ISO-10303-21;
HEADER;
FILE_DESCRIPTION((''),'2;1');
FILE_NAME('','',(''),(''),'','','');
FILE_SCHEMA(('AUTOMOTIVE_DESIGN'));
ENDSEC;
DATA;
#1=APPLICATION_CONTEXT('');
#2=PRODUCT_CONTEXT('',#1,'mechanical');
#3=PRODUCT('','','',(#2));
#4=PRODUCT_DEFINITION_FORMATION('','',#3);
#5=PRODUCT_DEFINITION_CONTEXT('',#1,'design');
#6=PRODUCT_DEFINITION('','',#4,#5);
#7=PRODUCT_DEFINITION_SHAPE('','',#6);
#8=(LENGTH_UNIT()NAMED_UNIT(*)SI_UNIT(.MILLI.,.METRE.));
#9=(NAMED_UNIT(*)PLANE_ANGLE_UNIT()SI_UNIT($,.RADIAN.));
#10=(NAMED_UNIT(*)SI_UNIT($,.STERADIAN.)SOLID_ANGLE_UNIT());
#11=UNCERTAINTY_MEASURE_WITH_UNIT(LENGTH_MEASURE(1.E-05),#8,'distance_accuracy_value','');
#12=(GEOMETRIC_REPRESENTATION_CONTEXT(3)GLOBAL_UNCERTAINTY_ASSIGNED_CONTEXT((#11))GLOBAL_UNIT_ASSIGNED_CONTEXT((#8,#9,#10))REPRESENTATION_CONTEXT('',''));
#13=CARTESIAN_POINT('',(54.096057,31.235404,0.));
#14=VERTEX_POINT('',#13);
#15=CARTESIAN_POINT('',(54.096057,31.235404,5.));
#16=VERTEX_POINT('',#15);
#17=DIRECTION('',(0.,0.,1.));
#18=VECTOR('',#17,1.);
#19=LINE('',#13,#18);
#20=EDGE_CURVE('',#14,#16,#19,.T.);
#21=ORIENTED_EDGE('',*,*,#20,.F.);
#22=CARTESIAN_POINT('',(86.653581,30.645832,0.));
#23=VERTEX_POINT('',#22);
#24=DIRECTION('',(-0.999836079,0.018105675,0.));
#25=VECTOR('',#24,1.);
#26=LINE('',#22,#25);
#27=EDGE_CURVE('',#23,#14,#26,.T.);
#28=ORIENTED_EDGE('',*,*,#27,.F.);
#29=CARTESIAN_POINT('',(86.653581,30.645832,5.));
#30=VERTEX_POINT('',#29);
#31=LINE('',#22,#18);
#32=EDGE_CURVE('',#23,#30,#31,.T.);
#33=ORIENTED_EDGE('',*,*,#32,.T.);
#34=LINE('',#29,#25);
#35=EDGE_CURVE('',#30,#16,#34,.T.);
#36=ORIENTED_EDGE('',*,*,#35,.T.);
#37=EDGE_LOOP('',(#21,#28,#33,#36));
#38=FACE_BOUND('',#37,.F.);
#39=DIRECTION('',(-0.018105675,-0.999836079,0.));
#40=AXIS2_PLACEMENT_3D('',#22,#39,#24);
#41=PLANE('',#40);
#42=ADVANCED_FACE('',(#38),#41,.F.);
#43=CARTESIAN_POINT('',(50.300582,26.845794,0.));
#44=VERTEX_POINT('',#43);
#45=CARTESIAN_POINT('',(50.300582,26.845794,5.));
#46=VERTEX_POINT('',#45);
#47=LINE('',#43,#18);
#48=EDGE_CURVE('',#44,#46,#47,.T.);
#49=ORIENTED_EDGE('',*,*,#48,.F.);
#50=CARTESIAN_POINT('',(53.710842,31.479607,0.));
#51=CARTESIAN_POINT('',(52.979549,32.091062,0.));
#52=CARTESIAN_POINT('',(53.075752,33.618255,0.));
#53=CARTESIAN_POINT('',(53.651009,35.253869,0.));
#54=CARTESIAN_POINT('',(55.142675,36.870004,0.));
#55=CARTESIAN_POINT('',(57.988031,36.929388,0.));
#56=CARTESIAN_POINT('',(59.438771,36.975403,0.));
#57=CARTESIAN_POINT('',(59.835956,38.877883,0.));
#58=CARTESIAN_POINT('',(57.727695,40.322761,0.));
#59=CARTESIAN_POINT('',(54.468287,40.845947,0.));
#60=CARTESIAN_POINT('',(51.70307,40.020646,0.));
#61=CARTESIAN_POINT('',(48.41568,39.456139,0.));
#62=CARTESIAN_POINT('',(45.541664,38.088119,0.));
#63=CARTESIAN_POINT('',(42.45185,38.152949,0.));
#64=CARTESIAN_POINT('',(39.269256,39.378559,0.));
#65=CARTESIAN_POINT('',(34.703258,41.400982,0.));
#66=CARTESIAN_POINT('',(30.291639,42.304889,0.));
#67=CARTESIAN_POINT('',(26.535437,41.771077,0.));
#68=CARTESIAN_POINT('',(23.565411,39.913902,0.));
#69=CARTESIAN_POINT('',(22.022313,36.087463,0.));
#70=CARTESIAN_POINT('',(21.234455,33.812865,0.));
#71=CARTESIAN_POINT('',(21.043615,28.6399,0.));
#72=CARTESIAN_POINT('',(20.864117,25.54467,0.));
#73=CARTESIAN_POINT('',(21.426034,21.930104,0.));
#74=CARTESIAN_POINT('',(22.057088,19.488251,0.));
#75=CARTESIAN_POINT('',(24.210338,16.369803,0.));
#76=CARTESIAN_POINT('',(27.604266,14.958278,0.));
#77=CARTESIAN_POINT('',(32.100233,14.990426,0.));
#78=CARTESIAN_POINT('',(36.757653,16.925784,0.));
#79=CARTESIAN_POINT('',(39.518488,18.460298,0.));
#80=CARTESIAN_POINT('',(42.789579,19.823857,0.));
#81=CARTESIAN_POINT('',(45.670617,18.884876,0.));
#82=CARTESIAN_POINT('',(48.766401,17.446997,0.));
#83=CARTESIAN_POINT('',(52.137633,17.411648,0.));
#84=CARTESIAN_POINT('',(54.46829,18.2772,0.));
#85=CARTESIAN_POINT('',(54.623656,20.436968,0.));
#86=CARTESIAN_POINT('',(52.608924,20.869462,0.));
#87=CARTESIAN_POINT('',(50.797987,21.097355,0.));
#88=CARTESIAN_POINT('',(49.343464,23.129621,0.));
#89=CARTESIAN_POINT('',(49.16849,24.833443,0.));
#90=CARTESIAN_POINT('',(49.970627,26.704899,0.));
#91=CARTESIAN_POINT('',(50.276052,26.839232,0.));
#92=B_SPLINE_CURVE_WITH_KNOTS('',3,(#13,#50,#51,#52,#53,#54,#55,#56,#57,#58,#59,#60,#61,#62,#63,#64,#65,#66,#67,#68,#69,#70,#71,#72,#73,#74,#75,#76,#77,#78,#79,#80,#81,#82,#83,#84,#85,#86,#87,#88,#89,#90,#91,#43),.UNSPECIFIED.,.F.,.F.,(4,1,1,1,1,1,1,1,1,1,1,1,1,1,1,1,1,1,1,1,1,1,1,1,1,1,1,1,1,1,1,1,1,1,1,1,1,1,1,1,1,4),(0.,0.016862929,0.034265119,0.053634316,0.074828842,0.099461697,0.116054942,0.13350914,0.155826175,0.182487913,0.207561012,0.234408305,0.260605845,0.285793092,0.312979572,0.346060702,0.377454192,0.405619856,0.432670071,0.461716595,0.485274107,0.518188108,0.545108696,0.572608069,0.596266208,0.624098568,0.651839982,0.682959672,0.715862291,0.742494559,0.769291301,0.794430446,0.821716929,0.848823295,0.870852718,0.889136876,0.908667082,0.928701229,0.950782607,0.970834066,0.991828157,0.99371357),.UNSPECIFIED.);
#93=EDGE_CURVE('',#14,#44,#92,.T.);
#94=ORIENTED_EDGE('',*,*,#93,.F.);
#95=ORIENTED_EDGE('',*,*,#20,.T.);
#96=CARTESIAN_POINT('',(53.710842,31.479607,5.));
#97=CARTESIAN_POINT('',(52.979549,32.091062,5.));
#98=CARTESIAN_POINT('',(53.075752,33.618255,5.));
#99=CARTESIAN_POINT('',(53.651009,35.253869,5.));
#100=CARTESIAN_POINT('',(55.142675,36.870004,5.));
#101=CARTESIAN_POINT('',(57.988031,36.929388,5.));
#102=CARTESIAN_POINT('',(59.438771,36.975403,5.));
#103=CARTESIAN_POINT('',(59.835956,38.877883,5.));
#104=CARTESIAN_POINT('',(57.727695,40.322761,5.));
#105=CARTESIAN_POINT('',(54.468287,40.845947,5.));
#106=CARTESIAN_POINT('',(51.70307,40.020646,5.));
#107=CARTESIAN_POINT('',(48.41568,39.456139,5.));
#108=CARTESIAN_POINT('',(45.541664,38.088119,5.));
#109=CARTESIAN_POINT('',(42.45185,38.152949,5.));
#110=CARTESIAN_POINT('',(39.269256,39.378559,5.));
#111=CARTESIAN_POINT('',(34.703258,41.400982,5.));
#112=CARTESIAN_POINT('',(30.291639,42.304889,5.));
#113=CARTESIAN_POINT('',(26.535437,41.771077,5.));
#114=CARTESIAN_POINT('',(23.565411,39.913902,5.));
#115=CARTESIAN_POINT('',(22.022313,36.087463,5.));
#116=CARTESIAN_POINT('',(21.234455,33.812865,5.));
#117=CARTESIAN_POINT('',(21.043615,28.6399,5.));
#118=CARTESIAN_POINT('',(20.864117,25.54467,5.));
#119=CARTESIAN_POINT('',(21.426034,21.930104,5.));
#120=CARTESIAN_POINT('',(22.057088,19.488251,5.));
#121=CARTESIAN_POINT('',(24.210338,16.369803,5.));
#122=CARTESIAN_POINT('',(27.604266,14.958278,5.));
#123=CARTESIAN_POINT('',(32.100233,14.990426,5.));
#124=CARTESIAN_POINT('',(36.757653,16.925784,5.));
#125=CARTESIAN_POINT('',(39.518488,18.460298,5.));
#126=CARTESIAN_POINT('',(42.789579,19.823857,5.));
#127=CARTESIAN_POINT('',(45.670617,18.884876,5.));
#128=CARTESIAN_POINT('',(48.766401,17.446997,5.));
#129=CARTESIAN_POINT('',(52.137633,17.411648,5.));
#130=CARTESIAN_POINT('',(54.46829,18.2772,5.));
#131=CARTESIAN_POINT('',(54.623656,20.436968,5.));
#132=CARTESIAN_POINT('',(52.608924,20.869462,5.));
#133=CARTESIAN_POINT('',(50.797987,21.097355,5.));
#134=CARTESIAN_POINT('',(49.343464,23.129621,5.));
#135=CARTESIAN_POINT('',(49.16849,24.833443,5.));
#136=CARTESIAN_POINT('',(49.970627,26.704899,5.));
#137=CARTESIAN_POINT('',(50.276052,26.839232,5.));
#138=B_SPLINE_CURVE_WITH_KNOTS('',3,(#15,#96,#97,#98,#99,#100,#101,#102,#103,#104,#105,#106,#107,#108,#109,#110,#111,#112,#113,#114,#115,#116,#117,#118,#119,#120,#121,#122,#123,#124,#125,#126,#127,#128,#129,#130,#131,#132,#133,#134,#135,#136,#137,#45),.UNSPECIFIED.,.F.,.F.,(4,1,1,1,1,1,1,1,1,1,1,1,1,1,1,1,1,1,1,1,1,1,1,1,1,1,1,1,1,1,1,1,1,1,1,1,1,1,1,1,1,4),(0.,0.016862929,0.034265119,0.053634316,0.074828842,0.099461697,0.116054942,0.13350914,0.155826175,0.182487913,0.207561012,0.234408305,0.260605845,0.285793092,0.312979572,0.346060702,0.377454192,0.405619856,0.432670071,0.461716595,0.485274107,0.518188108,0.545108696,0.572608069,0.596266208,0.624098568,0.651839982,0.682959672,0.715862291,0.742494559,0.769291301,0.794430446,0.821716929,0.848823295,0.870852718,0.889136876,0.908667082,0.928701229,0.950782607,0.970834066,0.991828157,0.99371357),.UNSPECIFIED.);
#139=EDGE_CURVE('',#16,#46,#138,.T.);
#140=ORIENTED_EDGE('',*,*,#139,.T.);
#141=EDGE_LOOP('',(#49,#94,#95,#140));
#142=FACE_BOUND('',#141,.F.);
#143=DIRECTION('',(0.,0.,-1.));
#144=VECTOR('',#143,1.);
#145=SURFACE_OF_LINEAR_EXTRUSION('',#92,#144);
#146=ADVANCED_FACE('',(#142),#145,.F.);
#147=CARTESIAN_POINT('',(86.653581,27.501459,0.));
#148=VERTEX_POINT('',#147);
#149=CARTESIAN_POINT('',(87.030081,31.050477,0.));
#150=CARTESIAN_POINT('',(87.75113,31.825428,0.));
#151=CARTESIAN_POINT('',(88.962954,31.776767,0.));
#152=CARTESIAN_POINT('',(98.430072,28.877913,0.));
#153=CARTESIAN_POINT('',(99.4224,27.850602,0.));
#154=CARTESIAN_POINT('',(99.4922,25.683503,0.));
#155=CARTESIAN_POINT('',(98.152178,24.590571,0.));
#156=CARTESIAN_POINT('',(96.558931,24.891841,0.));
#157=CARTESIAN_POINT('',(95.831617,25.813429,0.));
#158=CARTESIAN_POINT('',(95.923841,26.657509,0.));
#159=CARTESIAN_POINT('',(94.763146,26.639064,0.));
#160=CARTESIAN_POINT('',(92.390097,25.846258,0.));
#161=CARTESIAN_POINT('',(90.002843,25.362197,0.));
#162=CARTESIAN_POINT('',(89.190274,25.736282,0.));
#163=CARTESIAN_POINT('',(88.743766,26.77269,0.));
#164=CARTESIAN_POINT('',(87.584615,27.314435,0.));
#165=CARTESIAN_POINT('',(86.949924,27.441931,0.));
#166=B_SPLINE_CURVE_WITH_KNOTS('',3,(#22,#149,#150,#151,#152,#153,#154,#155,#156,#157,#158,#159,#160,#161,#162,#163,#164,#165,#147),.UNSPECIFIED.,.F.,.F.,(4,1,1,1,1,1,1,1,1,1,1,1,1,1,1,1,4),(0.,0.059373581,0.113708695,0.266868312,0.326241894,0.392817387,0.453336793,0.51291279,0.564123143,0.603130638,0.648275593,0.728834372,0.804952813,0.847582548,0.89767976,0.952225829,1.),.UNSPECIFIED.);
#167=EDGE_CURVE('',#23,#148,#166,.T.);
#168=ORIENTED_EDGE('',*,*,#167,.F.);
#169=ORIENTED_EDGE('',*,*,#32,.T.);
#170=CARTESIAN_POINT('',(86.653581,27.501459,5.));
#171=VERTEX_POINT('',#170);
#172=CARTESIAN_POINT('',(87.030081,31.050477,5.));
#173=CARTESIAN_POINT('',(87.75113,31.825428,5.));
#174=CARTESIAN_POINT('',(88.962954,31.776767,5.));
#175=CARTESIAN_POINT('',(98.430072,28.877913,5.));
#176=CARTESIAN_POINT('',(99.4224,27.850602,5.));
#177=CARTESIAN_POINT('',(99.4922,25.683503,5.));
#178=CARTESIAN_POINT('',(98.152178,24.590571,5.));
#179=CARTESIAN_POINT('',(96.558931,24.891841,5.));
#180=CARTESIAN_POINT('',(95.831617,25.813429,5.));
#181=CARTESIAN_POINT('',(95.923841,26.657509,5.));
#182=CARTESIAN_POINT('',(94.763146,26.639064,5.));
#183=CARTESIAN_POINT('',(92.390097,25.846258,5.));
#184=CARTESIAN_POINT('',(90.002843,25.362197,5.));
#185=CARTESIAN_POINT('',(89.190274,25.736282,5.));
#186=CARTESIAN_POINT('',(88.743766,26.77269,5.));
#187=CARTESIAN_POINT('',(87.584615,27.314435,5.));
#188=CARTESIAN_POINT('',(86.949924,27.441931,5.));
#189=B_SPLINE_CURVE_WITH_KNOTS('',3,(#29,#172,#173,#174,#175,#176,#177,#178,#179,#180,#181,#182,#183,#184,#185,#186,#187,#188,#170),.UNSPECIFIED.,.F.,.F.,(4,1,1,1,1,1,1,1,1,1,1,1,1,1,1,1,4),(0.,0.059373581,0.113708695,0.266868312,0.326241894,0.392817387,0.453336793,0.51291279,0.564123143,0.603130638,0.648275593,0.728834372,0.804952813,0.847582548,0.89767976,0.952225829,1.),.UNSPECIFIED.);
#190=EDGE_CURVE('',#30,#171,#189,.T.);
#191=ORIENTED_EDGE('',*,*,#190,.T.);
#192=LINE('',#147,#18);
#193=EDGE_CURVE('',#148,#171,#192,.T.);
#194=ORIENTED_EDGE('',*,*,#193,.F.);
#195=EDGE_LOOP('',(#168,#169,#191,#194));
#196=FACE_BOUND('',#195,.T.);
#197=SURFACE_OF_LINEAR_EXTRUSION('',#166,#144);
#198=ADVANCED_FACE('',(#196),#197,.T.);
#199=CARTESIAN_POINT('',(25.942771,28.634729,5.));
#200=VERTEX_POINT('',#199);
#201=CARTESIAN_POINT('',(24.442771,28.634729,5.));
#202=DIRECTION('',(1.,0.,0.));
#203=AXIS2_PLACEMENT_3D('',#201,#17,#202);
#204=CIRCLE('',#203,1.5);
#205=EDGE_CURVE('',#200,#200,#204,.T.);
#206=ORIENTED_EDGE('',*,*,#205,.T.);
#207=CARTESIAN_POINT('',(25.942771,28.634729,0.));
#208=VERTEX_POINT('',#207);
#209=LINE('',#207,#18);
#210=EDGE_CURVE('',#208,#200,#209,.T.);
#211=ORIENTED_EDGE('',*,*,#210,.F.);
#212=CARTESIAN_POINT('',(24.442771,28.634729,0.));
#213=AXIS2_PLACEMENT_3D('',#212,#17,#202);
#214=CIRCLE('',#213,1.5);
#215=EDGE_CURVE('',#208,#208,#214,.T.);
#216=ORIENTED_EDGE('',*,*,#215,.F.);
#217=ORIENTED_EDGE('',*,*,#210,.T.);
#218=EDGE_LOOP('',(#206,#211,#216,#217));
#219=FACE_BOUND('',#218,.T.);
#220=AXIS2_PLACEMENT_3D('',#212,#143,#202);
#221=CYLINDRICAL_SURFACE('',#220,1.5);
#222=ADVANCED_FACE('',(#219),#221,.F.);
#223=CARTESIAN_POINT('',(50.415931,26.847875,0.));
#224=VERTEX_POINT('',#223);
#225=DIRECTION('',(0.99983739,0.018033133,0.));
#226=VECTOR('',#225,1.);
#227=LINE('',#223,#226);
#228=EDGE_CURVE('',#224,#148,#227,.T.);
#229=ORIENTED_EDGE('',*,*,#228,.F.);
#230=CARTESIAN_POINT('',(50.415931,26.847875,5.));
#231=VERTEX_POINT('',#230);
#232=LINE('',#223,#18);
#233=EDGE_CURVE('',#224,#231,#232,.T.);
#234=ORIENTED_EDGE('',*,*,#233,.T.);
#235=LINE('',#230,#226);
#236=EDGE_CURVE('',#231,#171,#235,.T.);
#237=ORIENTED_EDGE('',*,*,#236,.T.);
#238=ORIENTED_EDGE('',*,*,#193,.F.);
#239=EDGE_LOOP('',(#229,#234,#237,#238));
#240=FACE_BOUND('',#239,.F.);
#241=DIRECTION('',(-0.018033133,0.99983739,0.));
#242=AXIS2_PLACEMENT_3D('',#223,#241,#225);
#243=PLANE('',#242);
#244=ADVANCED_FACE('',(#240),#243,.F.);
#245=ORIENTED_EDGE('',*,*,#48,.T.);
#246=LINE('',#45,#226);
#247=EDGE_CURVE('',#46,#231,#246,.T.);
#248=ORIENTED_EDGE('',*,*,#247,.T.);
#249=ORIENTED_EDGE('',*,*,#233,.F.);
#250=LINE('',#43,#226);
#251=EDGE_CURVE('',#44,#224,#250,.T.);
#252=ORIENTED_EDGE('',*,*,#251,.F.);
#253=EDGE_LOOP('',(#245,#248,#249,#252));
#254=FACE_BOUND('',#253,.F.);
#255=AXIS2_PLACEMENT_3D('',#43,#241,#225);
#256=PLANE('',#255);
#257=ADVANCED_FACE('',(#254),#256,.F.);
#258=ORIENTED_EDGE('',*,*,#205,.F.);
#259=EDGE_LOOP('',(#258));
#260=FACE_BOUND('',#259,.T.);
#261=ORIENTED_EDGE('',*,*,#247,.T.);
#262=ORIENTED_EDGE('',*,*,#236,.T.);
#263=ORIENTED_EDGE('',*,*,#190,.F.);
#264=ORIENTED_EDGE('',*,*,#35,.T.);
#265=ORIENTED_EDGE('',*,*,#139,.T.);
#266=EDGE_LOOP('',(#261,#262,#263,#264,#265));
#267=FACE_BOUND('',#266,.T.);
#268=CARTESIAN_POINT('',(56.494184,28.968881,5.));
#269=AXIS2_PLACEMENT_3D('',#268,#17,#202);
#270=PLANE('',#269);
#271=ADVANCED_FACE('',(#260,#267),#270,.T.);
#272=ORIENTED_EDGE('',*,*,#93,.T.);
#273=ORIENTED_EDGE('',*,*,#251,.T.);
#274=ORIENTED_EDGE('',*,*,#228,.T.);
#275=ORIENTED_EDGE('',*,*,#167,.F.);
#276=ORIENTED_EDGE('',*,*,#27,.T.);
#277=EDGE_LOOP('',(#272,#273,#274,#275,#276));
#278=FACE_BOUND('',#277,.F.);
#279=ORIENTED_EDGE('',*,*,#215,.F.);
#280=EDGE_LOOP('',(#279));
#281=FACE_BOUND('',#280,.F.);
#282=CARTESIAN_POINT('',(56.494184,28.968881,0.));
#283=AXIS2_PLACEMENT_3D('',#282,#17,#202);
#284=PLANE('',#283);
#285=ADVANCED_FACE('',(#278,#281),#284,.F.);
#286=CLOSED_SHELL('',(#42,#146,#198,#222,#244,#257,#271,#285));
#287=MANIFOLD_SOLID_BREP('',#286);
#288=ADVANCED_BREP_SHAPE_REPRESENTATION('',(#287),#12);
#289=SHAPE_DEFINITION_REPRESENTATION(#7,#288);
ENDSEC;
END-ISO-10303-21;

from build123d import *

# Parameters (mm, degrees)
F0_R     = 1.5
F1_DEPTH = 5


with BuildPart() as f1:
    # F0 (on Top) → F1 (new body)
    with BuildSketch(Plane.XY):
        with BuildLine():
            Line((86.6535813324, 30.6458315305), (54.0960568439, 31.2354041307))
            add(Edge.make_bspline(
                [(54.0960568439, 31.2354041307), (53.7108424738, 31.4796074933), (52.9795490613, 32.0910616748), (53.0757524116, 33.6182548027), (53.6510092908, 35.2538690141), (55.1426747926, 36.8700037629), (57.988030549, 36.9293876523), (59.4387707384, 36.9754030788), (59.8359560677, 38.8778831212), (57.7276946028, 40.3227610047), (54.4682866045, 40.8459470761), (51.7030704907, 40.0206461456), (48.4156799522, 39.4561387138), (45.5416643828, 38.0881194241), (42.4518497575, 38.1529493762), (39.2692564467, 39.3785586973), (34.7032583499, 41.4009819009), (30.2916390581, 42.3048888161), (26.5354373876, 41.7710767321), (23.5654107943, 39.913901683), (22.0223126259, 36.0874627167), (21.2344551774, 33.8128646489), (21.043614833, 28.6399002088), (20.8641171908, 25.5446703853), (21.4260344325, 21.9301036933), (22.0570877022, 19.4882506755), (24.2103379885, 16.3698033912), (27.6042662265, 14.958278371), (32.1002329286, 14.9904256501), (36.7576532067, 16.9257838317), (39.5184877775, 18.4602978525), (42.7895786573, 19.8238570361), (45.670617095, 18.8848759102), (48.7664012251, 17.4469965682), (52.1376331943, 17.4116477251), (54.4682898245, 18.2772004157), (54.6236557857, 20.4369677856), (52.6089241911, 20.8694620306), (50.7979874448, 21.0973547457), (49.3434638511, 23.1296209202), (49.1684898651, 24.8334433555), (49.9706268874, 26.7048986925), (50.2760524275, 26.8392323715), (50.3005821209, 26.8457944087)],
                knots=[0, 0, 0, 0, 0.016862929, 0.0342651186, 0.0536343156, 0.0748288424, 0.0994616973, 0.1160549417, 0.1335091399, 0.1558261755, 0.182487913, 0.2075610119, 0.234408305, 0.2606058445, 0.2857930918, 0.3129795717, 0.3460607019, 0.3774541918, 0.4056198562, 0.4326700708, 0.4617165954, 0.485274107, 0.5181881076, 0.545108696, 0.572608069, 0.5962662075, 0.6240985675, 0.6518399823, 0.6829596717, 0.7158622908, 0.7424945588, 0.7692913006, 0.7944304464, 0.8217169289, 0.8488232953, 0.8708527178, 0.8891368763, 0.9086670817, 0.9287012294, 0.9507826071, 0.9708340657, 0.9918281573, 0.9937135704, 0.9937135704, 0.9937135704, 0.9937135704], degree=3))
            add(Edge.make_bspline(
                [(50.3005821209, 26.8457944087), (50.3404489766, 26.8564593522), (50.3786272545, 26.8552169996), (50.4159310688, 26.8478748499)],
                knots=[0.9937135704, 0.9937135704, 0.9937135704, 0.9937135704, 0.9967778359, 0.9967778359, 0.9967778359, 0.9967778359], degree=3))
            Line((50.4159310688, 26.8478748499), (86.6535813324, 27.5014594789))
            add(Edge.make_bspline(
                [(86.6535813324, 30.6458315305), (87.0300809123, 31.0504765374), (87.751130182, 31.8254281104), (88.9629536712, 31.7767668557), (98.4300724155, 28.8779131189), (99.4224004407, 27.850602119), (99.4922000593, 25.6835030291), (98.1521779849, 24.5905708269), (96.5589307736, 24.8918411887), (95.8316166416, 25.8134288551), (95.9238409568, 26.6575089316), (94.7631462728, 26.6390642227), (92.3900974892, 25.8462584714), (90.0028434644, 25.3621974466), (89.1902738413, 25.7362816562), (88.7437661381, 26.7726896695), (87.5846147226, 27.3144348422), (86.9499238065, 27.441930671), (86.6535813324, 27.5014594789)],
                knots=[0, 0, 0, 0, 0.0593735813, 0.1137086947, 0.2668683116, 0.3262418939, 0.3928173869, 0.4533367926, 0.5129127899, 0.5641231427, 0.6031306384, 0.6482755931, 0.7288343719, 0.8049528127, 0.8475825479, 0.8976797602, 0.952225829, 1, 1, 1, 1], degree=3))
        make_face()
        with Locations((24.4427712714, 28.6347285574)):
            Circle(F0_R, mode=Mode.SUBTRACT)
        with BuildLine():
            add(Edge.make_bspline(
                [(50.3005821209, 26.8457944087), (50.3404489766, 26.8564593522), (50.3786272545, 26.8552169996), (50.4159310688, 26.8478748499)],
                knots=[0.9937135704, 0.9937135704, 0.9937135704, 0.9937135704, 0.9967778359, 0.9967778359, 0.9967778359, 0.9967778359], degree=3))
            Line((50.3005821209, 26.8457944087), (50.4159310688, 26.8478748499))
        make_face()
    extrude(amount=F1_DEPTH)


solid = f1.part
